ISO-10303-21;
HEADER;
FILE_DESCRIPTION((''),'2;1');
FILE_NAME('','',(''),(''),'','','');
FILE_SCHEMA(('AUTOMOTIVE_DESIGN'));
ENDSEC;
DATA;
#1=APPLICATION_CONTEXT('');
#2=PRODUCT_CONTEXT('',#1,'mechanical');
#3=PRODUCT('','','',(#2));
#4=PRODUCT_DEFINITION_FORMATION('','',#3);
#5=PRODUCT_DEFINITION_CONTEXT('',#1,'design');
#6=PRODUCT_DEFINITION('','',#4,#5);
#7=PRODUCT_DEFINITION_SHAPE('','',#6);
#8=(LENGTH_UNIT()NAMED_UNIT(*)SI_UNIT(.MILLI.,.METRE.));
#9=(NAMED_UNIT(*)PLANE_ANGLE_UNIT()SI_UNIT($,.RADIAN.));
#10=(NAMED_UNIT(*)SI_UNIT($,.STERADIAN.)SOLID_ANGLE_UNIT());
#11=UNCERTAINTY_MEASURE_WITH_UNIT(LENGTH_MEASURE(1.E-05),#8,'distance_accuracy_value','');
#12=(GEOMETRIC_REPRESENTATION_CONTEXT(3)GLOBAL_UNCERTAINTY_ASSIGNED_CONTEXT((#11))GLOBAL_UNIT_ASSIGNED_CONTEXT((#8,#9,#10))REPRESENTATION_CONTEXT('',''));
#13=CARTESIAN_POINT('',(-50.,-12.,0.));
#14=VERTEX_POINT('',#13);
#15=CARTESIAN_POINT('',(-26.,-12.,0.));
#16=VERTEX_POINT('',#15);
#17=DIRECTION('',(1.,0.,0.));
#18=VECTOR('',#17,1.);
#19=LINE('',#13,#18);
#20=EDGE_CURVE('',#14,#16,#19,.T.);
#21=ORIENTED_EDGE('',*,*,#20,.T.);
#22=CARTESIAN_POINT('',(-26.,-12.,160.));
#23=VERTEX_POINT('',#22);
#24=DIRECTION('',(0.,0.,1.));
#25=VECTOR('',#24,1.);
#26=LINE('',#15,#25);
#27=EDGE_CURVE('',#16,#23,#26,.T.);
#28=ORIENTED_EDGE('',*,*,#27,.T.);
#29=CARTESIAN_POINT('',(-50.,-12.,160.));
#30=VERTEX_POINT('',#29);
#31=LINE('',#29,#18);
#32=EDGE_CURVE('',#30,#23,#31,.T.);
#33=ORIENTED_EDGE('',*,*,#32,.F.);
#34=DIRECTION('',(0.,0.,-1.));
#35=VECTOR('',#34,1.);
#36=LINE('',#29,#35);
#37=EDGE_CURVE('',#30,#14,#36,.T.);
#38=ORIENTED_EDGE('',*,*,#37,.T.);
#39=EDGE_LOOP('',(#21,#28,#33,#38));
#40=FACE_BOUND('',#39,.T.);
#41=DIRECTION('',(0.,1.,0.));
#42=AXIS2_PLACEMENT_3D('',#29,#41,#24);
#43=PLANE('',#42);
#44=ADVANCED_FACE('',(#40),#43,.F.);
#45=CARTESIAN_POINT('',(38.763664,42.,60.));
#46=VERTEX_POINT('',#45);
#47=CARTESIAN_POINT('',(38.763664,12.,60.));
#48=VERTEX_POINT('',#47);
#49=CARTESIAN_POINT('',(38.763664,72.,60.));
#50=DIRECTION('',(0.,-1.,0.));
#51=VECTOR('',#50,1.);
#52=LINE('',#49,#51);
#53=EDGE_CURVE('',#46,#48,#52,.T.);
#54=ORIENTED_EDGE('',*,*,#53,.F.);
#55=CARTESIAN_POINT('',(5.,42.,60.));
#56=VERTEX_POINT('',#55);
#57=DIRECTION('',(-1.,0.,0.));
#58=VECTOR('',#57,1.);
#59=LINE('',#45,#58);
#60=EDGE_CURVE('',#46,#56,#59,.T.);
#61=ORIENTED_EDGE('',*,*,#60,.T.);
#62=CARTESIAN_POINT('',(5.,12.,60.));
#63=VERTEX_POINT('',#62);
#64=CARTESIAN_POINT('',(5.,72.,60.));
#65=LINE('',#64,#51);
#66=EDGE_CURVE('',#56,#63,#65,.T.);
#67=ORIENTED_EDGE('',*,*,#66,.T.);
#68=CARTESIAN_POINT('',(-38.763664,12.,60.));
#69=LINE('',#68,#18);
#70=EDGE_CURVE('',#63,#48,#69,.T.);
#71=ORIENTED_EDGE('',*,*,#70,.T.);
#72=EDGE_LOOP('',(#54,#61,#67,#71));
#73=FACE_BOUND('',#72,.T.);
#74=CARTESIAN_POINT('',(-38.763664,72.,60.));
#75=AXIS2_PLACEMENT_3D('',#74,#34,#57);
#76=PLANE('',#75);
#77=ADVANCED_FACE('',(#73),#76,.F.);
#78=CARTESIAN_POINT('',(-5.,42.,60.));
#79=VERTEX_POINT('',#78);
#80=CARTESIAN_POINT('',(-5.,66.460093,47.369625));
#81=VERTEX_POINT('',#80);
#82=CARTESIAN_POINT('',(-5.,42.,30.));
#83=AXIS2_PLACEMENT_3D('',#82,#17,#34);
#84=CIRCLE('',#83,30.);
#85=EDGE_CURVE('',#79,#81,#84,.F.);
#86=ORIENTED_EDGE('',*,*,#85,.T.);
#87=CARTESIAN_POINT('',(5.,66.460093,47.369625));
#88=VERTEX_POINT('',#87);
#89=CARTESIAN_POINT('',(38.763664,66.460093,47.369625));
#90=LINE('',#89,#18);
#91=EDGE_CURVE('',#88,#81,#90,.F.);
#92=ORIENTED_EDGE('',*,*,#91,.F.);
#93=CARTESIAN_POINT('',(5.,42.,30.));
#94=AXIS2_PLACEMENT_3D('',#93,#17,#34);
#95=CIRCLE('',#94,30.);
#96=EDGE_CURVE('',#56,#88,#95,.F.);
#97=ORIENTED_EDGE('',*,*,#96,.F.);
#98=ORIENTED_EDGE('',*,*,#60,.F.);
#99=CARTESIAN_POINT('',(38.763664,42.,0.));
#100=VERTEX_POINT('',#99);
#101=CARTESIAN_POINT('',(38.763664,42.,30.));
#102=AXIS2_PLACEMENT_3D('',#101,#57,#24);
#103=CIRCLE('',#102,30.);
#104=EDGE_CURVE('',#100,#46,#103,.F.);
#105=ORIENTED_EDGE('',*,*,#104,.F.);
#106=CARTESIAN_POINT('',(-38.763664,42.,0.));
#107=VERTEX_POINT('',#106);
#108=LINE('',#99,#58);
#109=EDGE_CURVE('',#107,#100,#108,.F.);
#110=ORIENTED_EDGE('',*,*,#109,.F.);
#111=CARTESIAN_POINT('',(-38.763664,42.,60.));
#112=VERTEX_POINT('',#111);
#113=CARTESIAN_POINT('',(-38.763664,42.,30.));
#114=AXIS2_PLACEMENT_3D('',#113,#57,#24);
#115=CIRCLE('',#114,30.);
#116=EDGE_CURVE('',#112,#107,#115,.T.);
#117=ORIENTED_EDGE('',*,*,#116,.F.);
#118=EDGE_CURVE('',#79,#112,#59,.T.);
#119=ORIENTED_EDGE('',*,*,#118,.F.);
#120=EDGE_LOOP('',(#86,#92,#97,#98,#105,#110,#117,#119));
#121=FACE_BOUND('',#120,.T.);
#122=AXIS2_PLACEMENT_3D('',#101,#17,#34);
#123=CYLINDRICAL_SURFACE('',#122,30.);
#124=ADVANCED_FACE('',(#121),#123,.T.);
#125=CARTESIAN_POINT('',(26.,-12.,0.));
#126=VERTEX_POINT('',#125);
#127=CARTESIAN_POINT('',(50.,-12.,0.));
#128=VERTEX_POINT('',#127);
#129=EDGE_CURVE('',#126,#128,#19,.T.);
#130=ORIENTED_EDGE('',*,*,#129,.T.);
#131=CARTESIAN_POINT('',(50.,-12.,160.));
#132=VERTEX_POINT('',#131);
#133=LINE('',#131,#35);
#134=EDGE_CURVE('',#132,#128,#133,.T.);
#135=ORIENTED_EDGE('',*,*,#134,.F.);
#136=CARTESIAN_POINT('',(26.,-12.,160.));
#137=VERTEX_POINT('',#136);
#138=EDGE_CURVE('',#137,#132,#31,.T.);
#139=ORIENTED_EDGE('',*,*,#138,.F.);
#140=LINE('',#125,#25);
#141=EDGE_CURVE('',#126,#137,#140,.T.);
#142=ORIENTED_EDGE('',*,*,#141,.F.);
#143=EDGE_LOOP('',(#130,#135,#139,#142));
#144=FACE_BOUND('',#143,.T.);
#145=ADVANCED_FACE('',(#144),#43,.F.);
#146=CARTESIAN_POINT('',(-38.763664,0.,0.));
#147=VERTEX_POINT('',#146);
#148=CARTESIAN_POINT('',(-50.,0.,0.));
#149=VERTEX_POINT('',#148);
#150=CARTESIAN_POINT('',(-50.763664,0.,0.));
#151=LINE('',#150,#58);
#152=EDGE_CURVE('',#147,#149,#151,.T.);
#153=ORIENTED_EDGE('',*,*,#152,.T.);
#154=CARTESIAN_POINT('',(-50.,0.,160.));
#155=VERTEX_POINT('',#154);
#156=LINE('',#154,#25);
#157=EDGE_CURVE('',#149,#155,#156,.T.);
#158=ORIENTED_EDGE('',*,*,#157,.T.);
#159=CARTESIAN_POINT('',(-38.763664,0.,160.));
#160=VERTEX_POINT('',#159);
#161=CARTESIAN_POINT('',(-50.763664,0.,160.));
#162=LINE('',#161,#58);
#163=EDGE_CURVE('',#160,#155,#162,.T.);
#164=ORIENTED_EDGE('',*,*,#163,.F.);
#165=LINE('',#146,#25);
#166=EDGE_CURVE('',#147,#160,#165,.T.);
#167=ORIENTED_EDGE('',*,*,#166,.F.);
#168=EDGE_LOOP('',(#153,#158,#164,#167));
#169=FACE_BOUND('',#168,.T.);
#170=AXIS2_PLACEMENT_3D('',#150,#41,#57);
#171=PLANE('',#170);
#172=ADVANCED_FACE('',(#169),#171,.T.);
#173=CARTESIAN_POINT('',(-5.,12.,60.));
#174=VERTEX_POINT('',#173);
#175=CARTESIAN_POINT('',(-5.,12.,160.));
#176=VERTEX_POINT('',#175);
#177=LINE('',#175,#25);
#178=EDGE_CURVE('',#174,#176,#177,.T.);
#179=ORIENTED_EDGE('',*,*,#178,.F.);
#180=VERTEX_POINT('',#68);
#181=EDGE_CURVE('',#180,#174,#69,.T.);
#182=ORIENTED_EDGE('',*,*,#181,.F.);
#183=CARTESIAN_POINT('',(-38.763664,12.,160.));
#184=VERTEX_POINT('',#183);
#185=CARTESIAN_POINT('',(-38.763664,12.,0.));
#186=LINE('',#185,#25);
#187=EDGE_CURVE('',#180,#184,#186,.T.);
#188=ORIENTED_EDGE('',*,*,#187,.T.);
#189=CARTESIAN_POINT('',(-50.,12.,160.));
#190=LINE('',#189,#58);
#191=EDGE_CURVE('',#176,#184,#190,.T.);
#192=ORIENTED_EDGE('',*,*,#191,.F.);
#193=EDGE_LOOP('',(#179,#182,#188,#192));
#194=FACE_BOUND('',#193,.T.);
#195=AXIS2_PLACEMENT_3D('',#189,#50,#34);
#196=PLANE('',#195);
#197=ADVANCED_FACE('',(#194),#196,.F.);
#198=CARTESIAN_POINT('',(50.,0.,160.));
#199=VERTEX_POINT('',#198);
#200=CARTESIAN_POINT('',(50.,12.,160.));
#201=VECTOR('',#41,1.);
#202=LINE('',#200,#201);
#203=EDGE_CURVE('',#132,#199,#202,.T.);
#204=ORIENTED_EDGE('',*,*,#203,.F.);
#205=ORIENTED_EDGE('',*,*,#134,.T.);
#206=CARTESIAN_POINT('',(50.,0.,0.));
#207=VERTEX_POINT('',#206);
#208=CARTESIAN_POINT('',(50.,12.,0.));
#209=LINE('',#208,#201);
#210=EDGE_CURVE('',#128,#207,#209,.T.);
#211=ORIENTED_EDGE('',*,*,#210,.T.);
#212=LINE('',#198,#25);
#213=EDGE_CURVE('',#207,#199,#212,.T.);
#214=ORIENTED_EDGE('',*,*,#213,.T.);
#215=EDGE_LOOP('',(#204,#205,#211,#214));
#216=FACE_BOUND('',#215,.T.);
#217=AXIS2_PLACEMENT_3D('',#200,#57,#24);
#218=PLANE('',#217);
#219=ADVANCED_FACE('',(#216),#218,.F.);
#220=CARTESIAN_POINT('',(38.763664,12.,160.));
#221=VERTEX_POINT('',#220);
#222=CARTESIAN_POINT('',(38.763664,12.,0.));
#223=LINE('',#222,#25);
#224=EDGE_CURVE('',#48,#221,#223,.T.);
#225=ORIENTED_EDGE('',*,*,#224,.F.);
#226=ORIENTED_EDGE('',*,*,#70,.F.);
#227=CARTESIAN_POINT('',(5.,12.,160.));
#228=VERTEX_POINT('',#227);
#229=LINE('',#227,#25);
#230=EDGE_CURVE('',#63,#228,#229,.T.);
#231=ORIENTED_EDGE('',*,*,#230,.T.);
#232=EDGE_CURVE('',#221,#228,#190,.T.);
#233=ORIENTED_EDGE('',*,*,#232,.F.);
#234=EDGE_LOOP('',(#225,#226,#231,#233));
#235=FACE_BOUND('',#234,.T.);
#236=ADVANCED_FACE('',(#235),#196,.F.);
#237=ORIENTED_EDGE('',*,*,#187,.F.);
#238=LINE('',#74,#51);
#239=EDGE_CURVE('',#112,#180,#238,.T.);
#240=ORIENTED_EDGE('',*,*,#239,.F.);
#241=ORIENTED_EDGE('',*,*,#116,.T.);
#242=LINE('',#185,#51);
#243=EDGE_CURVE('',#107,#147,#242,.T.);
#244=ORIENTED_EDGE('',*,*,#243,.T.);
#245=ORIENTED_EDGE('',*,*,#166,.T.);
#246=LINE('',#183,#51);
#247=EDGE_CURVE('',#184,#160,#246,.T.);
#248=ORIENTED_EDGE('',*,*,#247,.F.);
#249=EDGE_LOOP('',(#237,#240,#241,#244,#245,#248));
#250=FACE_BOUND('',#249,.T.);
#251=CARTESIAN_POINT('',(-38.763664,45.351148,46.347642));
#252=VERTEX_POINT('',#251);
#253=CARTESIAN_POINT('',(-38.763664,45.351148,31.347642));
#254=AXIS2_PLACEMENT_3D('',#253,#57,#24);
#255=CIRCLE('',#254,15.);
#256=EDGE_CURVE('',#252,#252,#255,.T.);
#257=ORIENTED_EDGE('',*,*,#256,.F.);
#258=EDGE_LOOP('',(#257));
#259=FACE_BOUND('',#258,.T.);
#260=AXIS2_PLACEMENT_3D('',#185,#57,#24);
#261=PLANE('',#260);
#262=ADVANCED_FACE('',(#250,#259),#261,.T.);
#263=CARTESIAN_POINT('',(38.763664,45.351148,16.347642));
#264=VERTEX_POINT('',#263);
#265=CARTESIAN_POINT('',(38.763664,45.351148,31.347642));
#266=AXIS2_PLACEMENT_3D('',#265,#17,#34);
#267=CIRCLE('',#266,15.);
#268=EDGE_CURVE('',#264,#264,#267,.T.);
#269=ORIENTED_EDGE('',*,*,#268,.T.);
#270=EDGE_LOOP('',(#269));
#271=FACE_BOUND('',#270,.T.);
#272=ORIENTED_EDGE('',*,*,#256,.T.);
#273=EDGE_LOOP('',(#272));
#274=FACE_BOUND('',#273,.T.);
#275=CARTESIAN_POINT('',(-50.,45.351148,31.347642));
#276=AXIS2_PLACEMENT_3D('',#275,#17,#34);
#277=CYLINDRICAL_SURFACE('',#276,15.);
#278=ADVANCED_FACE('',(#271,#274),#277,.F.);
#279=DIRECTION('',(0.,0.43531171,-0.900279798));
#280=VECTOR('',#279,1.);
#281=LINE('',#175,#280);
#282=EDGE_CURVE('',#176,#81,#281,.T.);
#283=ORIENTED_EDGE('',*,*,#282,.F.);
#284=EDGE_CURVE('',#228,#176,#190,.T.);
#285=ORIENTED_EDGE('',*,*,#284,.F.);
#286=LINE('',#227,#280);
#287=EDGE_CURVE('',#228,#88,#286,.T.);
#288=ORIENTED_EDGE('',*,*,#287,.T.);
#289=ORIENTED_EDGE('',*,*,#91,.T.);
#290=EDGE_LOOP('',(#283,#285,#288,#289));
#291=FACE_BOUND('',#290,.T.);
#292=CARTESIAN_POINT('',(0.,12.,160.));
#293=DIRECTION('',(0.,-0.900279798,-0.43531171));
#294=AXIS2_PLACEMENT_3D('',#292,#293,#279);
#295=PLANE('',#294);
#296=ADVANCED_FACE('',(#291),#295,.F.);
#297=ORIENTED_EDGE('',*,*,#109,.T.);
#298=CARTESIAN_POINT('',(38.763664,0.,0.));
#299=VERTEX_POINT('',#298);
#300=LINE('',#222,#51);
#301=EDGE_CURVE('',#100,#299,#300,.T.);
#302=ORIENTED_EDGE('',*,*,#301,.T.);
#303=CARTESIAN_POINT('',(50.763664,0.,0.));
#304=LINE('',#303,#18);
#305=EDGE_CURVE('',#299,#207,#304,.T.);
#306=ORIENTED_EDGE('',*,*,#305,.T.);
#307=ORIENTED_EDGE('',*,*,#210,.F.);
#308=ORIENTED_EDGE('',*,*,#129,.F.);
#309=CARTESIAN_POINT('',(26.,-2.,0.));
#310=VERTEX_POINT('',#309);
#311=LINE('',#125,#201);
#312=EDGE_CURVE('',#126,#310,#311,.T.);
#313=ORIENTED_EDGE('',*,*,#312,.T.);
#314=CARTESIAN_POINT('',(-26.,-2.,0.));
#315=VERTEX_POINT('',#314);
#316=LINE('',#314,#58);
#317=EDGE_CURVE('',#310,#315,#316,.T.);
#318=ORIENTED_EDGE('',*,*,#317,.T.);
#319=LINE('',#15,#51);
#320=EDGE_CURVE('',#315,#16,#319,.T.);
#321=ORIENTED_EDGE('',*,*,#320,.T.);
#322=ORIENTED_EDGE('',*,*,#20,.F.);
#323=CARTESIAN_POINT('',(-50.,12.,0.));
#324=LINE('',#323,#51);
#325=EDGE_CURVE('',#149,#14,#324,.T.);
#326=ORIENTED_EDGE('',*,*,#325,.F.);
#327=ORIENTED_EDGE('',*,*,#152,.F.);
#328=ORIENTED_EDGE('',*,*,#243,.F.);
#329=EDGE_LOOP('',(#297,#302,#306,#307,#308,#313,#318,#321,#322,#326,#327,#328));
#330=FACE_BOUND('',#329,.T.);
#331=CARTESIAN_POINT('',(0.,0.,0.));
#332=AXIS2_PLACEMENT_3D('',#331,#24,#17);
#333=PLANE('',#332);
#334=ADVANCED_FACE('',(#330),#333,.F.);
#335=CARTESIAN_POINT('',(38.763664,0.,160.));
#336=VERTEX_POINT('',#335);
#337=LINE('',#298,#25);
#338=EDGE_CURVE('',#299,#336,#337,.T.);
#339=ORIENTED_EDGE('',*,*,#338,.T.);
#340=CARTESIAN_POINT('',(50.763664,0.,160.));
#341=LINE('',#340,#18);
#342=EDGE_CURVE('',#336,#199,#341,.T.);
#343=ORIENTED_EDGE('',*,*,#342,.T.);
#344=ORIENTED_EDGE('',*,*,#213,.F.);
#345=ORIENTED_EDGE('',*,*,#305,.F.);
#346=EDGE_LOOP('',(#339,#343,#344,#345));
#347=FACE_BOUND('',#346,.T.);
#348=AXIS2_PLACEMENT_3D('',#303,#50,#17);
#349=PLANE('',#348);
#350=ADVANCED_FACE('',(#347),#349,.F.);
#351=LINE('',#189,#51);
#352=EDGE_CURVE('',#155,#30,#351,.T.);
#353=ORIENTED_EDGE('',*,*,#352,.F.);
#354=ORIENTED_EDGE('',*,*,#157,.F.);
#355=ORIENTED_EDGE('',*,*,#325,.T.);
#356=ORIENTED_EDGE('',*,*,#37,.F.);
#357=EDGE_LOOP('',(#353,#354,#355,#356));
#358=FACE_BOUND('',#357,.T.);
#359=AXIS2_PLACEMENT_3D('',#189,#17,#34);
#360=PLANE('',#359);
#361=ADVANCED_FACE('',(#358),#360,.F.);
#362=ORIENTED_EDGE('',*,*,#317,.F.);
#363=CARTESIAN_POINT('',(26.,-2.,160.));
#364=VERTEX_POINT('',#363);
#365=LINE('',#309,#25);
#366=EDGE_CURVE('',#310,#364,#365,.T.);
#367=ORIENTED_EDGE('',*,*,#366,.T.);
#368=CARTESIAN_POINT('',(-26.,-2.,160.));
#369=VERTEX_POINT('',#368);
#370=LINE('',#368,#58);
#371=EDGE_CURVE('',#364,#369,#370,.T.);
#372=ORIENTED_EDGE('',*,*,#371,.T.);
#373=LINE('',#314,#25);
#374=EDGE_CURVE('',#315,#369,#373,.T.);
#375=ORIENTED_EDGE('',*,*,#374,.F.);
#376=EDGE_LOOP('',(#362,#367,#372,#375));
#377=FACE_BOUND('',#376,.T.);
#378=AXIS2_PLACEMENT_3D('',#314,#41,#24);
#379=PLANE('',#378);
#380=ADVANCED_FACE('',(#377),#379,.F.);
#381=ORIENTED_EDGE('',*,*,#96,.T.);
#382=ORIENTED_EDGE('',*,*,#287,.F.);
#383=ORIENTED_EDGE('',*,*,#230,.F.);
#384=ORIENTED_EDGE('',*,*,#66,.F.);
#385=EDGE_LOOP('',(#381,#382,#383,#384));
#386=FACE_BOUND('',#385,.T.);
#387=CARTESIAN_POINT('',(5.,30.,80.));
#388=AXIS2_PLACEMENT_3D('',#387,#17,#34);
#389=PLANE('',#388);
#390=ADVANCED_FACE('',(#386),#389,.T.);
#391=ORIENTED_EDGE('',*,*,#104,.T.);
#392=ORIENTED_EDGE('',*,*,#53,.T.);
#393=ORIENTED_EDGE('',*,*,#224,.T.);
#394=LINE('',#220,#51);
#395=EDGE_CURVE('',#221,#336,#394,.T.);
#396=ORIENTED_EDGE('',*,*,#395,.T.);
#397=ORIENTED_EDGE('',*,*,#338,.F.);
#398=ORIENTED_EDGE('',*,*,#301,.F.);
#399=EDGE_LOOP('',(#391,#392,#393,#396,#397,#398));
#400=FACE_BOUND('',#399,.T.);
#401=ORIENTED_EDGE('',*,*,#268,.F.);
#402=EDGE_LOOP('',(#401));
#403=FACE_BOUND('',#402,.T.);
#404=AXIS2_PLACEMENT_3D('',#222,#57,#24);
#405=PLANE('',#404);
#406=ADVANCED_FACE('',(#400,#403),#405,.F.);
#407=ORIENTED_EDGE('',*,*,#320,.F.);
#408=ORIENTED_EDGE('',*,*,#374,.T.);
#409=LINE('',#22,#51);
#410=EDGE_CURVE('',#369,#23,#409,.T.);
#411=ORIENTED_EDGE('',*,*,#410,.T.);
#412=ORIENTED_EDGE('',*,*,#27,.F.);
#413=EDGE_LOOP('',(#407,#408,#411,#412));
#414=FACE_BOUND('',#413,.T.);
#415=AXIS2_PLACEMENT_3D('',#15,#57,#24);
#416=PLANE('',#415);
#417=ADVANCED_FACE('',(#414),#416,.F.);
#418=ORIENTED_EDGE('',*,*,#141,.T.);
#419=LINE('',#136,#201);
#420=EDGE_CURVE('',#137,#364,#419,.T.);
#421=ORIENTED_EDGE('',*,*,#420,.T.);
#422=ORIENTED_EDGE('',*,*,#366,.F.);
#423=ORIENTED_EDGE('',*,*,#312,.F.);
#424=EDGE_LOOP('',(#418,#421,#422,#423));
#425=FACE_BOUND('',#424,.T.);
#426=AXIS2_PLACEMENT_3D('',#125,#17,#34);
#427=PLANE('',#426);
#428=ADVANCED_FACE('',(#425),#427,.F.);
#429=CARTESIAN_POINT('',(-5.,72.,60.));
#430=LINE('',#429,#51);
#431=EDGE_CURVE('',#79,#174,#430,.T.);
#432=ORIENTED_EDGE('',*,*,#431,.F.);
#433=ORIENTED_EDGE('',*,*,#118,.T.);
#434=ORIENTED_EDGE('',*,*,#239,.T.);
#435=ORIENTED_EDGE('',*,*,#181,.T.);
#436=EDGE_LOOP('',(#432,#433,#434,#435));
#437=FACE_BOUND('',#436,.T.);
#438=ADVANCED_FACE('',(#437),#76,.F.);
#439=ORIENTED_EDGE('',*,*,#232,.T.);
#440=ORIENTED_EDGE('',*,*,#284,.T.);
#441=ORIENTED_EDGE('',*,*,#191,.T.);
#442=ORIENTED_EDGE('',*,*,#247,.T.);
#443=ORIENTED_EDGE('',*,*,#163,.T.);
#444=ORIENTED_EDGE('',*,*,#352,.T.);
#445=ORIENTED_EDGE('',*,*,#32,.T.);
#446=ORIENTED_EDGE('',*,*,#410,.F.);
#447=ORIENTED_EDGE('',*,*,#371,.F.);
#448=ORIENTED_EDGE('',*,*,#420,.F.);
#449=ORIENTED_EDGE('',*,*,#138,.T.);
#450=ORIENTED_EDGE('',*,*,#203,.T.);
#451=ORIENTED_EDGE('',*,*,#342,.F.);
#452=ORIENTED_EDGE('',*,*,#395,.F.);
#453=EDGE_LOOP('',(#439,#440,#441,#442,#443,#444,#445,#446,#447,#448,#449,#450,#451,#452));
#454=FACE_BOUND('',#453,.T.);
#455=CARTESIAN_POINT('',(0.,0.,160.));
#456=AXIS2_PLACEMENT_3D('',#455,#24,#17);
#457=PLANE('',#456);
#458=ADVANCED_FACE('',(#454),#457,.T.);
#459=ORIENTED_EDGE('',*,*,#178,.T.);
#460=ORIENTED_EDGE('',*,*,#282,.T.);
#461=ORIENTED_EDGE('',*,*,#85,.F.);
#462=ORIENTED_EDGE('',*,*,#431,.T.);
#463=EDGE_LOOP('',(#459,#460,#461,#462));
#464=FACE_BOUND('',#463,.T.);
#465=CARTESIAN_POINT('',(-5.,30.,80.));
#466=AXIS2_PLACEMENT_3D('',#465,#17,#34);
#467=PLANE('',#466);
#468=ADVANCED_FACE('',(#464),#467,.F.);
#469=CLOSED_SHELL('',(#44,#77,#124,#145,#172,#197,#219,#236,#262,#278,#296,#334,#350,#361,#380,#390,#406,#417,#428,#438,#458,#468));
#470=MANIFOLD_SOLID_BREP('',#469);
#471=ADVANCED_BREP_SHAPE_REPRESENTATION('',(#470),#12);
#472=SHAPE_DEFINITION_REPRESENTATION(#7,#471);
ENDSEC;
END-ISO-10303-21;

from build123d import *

# Parameters (mm, degrees)
SKETCH1_W           = 100
SKETCH1_H           = 24
BOSS_EXTRUDE1_DEPTH = 160
SKETCH2_W           = 52
SKETCH2_H           = 10
CUT_EXTRUDE1_DEPTH  = 169.059513268
SKETCH3_W           = 12
SKETCH3_H           = 12
CUT_EXTRUDE2_DEPTH  = 169.059513268
SKETCH4_W           = 77.52732848
SKETCH4_H           = 60
BOSS_EXTRUDE2_DEPTH = 60
FILLET1_RADIUS      = 30
FILLET1_LENGTH      = 77.52732848
SKETCH6_R           = 15
CUT_EXTRUDE3_DEPTH  = 197.629062169
RIB1_REACH          = 184.439
SKETCH7_WALL_W      = 501.963544736
SKETCH7_WALL_H      = 10


with BuildPart() as part:
    # Sketch1 → Boss-Extrude1 (new body)
    with BuildSketch(Plane.XY):
        Rectangle(SKETCH1_W, SKETCH1_H)
    extrude(amount=BOSS_EXTRUDE1_DEPTH)

    # Sketch2 → Cut-Extrude1 (cut, through all)
    with BuildSketch(Plane.XY.offset(160)):
        with Locations((0, -7)):
            Rectangle(SKETCH2_W, SKETCH2_H)
    extrude(amount=-CUT_EXTRUDE1_DEPTH, mode=Mode.SUBTRACT)

    # Sketch3 → Cut-Extrude2 (cut, through all)
    with BuildSketch(Plane.XY.offset(160)):
        with Locations((44.76366424, 6)):
            Rectangle(SKETCH3_W, SKETCH3_H)
    cut_extrude2 = extrude(amount=-CUT_EXTRUDE2_DEPTH, mode=Mode.SUBTRACT)

    # Mirror1: Cut-Extrude2 across plane
    add(cut_extrude2.mirror(Plane(origin=(0, 0, 0), x_dir=(0, 0, 1), z_dir=(1, 0, 0))), mode=Mode.SUBTRACT)

    # Sketch4 → Boss-Extrude2 (add)
    with BuildSketch(Plane(origin=(0, 12, 0), x_dir=(1, 0, 0), z_dir=(0, 1, 0))):
        with Locations((0, -30)):
            Rectangle(SKETCH4_W, SKETCH4_H)
    extrude(amount=BOSS_EXTRUDE2_DEPTH)

    # Fillet1: full round fillet: the end face becomes a half cylinder, R = half its width
    fillet1_face = Plane((0, 72, 30), x_dir=(1, 0, 0), z_dir=(0, 1, 0))  # on the end face: x along it, z out of the body
    fillet1_slab = fillet1_face.offset(-FILLET1_RADIUS / 2) * Box(FILLET1_LENGTH, 2 * FILLET1_RADIUS, FILLET1_RADIUS, mode=Mode.PRIVATE)  # the body's end, R deep
    fillet1_round = Plane((0, 42, 30), x_dir=(0, 1, 0), z_dir=(1, 0, 0)) * Cylinder(FILLET1_RADIUS, FILLET1_LENGTH, mode=Mode.PRIVATE)  # its axis R under the face
    add(fillet1_slab - fillet1_round, mode=Mode.SUBTRACT)

    # Sketch6 → Cut-Extrude3 (cut, through all)
    with BuildSketch(Plane(origin=(38.76366424, 0, 0), x_dir=(0, 0, -1), z_dir=(1, 0, 0))):
        with Locations((-31.347642199, 45.351147576)):
            Circle(SKETCH6_R)
    extrude(amount=-CUT_EXTRUDE3_DEPTH, mode=Mode.SUBTRACT)

    # Sketch7 wall → Rib1 (add, up to next)
    with BuildSketch(Plane(origin=(0, 41.402146272, 99.192634344), x_dir=(0, 0.435311709867, -0.900279798314), z_dir=(0, 0.900279798314, 0.435311709867)), mode=Mode.PRIVATE) as rib1_sk1:
        Rectangle(SKETCH7_WALL_W, SKETCH7_WALL_H)
    rib1_tool1 = extrude(rib1_sk1.sketch, amount=-RIB1_REACH, mode=Mode.PRIVATE) - part.part
    add(rib1_tool1.solids().sort_by_distance((0, 41.402146272, 99.192634344))[0])


solid = part.part
